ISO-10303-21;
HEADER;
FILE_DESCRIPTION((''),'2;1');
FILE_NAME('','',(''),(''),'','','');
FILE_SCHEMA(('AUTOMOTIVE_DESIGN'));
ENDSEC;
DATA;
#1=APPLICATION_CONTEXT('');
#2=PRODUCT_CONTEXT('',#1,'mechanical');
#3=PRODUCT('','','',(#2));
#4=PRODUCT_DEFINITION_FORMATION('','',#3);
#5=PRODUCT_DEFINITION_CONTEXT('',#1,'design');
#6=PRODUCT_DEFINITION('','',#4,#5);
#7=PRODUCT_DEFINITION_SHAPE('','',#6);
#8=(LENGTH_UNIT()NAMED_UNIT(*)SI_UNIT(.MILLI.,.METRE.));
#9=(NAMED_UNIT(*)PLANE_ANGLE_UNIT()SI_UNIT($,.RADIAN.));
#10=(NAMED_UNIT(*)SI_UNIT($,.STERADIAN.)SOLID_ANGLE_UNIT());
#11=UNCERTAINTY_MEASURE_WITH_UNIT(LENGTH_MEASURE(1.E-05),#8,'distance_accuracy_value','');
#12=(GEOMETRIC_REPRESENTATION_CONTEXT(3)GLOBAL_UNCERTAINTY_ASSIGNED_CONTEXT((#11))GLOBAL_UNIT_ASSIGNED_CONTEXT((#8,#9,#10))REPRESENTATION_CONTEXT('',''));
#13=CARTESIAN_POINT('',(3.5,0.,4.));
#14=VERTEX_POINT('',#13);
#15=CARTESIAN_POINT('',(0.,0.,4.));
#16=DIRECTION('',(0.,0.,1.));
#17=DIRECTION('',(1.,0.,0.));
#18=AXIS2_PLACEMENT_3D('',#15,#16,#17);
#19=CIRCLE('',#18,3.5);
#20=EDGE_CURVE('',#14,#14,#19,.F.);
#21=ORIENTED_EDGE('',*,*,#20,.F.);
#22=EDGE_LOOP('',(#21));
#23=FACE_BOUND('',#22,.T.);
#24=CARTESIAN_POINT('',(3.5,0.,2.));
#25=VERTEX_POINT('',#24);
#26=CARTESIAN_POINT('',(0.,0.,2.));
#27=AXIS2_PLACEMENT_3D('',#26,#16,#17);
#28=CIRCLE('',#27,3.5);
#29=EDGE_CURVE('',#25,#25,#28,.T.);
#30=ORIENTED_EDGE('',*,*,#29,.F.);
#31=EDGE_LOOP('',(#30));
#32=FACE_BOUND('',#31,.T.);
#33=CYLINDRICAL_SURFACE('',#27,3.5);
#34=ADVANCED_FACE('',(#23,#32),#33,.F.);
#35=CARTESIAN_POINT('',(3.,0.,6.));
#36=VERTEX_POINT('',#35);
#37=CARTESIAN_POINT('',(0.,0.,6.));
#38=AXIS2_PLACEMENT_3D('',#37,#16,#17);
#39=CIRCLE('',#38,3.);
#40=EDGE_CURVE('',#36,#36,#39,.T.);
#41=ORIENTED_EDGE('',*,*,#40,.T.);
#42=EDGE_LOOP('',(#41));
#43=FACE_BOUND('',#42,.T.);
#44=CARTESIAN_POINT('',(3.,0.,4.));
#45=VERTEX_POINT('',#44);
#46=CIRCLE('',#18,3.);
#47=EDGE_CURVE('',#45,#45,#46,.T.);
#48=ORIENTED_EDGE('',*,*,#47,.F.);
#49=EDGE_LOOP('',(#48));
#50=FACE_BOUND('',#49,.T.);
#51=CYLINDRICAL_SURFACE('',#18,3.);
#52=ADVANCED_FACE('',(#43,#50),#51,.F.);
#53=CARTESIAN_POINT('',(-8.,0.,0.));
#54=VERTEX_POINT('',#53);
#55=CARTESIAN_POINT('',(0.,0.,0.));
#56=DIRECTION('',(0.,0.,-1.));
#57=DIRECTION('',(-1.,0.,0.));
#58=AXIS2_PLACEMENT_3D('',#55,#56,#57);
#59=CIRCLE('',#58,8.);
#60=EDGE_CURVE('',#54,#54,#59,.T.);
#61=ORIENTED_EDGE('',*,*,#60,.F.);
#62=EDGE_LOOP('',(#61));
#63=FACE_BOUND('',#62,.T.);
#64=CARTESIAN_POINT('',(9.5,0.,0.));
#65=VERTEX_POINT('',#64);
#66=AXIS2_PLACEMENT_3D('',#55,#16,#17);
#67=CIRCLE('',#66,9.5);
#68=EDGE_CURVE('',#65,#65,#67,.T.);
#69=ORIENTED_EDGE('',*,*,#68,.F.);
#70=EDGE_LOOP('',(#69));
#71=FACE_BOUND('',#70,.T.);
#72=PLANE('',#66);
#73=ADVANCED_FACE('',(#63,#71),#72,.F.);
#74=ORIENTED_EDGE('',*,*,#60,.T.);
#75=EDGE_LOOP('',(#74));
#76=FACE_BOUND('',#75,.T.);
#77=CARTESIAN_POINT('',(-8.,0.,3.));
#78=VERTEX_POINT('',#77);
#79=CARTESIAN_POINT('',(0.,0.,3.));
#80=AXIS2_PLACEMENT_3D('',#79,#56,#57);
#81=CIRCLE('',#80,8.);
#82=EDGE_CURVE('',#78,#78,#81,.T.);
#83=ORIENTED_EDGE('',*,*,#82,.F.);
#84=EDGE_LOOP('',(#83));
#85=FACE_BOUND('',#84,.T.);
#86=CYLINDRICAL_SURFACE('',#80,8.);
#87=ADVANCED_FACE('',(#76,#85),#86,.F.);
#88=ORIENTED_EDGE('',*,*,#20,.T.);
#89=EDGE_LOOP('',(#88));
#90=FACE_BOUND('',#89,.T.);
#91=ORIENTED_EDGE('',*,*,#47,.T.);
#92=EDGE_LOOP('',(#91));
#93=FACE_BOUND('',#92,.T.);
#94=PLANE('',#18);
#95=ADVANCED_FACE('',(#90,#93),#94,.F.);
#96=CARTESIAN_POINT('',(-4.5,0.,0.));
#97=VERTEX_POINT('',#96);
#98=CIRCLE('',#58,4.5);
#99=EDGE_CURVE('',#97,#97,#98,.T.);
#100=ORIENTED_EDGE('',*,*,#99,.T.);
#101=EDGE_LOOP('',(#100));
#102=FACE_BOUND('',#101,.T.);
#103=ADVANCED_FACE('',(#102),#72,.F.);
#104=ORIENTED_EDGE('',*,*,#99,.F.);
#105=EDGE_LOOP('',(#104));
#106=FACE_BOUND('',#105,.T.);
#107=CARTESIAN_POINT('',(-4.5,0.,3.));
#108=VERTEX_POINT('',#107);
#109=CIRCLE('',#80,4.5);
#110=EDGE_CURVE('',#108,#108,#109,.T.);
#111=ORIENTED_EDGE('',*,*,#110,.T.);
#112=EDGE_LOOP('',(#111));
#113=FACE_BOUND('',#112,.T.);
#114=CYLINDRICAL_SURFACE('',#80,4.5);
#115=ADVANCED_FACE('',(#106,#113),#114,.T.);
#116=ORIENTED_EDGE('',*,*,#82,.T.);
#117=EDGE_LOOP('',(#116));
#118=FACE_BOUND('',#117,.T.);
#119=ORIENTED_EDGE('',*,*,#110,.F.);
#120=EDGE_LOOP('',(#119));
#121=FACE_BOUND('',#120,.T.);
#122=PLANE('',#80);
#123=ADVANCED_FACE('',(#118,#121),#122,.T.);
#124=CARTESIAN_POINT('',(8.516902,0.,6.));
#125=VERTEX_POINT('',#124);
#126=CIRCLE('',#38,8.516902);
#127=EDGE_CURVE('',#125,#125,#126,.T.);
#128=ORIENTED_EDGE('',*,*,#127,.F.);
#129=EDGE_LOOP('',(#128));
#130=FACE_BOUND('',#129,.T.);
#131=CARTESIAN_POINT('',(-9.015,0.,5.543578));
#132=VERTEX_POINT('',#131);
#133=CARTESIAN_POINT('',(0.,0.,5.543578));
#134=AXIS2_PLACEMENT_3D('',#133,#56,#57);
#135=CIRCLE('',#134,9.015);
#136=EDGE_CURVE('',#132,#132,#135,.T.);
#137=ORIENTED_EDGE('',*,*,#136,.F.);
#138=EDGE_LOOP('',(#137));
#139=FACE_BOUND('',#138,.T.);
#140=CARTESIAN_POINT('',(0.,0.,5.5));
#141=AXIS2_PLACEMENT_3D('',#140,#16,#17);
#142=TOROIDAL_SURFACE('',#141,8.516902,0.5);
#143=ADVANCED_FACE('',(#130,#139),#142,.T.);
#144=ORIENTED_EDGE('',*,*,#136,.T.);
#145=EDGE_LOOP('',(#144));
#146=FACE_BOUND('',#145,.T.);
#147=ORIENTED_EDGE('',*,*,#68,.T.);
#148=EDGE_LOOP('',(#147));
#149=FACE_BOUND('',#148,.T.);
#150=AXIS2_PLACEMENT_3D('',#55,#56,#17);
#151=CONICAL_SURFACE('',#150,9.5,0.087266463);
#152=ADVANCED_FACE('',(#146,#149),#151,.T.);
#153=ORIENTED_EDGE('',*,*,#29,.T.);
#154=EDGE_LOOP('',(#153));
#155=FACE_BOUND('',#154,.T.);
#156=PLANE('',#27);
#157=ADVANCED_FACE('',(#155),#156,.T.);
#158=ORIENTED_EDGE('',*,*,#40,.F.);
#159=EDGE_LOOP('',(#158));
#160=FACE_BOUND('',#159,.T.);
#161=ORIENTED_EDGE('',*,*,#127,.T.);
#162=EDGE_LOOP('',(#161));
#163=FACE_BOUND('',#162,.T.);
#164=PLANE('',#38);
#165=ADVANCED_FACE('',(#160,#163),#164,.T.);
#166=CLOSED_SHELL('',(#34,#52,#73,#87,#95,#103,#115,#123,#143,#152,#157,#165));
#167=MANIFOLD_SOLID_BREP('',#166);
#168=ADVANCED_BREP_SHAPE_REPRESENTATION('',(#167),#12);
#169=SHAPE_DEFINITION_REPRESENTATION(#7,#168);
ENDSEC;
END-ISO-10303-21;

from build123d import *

# Parameters (mm, degrees)
SKETCH_1_R          = 9.5
EXTRUDE_1_DEPTH     = 6
EXTRUDE_1_TAPER     = 5
SKETCH_2_R          = 8
SKETCH_2_R_2        = 4.5
CUT_EXTRUDE_2_DEPTH = 3
SKETCH_3_R          = 3.5
CUT_EXTRUDE_3_DEPTH = 4
SKETCH_4_R          = 3.55
SKETCH_4_R_2        = 3
EXTRUDE_2_DEPTH     = 2
FILLET_1_R          = 0.5


with BuildPart() as part:
    # Эскиз1 → Бобышка-Вытянуть1 (new body)
    with BuildSketch(Plane.XY):
        Circle(SKETCH_1_R)
    extrude(amount=EXTRUDE_1_DEPTH, taper=EXTRUDE_1_TAPER)

    # Эскиз2 → Вырез-Вытянуть2 (cut)
    with BuildSketch(Plane(origin=(0, 0, 0), x_dir=(-1, 0, 0), z_dir=(0, 0, -1))):
        Circle(SKETCH_2_R)
        Circle(SKETCH_2_R_2, mode=Mode.SUBTRACT)
    extrude(amount=-CUT_EXTRUDE_2_DEPTH, mode=Mode.SUBTRACT)

    # Эскиз3 → Вырез-Вытянуть3 (cut)
    with BuildSketch(Plane.XY.offset(6)):
        Circle(SKETCH_3_R)
    extrude(amount=-CUT_EXTRUDE_3_DEPTH, mode=Mode.SUBTRACT)

    # Эскиз4 → Бобышка-Вытянуть2 (add)
    with BuildSketch(Plane.XY.offset(6)):
        Circle(SKETCH_4_R)
        Circle(SKETCH_4_R_2, mode=Mode.SUBTRACT)
    extrude(amount=-EXTRUDE_2_DEPTH)

    # Скругление1
    fillet_1_edges = [part.edges().sort_by_distance(p)[0] for p in [
        (-8.975068019, 0, 6),
    ]]
    fillet(fillet_1_edges, radius=FILLET_1_R)


solid = part.part
